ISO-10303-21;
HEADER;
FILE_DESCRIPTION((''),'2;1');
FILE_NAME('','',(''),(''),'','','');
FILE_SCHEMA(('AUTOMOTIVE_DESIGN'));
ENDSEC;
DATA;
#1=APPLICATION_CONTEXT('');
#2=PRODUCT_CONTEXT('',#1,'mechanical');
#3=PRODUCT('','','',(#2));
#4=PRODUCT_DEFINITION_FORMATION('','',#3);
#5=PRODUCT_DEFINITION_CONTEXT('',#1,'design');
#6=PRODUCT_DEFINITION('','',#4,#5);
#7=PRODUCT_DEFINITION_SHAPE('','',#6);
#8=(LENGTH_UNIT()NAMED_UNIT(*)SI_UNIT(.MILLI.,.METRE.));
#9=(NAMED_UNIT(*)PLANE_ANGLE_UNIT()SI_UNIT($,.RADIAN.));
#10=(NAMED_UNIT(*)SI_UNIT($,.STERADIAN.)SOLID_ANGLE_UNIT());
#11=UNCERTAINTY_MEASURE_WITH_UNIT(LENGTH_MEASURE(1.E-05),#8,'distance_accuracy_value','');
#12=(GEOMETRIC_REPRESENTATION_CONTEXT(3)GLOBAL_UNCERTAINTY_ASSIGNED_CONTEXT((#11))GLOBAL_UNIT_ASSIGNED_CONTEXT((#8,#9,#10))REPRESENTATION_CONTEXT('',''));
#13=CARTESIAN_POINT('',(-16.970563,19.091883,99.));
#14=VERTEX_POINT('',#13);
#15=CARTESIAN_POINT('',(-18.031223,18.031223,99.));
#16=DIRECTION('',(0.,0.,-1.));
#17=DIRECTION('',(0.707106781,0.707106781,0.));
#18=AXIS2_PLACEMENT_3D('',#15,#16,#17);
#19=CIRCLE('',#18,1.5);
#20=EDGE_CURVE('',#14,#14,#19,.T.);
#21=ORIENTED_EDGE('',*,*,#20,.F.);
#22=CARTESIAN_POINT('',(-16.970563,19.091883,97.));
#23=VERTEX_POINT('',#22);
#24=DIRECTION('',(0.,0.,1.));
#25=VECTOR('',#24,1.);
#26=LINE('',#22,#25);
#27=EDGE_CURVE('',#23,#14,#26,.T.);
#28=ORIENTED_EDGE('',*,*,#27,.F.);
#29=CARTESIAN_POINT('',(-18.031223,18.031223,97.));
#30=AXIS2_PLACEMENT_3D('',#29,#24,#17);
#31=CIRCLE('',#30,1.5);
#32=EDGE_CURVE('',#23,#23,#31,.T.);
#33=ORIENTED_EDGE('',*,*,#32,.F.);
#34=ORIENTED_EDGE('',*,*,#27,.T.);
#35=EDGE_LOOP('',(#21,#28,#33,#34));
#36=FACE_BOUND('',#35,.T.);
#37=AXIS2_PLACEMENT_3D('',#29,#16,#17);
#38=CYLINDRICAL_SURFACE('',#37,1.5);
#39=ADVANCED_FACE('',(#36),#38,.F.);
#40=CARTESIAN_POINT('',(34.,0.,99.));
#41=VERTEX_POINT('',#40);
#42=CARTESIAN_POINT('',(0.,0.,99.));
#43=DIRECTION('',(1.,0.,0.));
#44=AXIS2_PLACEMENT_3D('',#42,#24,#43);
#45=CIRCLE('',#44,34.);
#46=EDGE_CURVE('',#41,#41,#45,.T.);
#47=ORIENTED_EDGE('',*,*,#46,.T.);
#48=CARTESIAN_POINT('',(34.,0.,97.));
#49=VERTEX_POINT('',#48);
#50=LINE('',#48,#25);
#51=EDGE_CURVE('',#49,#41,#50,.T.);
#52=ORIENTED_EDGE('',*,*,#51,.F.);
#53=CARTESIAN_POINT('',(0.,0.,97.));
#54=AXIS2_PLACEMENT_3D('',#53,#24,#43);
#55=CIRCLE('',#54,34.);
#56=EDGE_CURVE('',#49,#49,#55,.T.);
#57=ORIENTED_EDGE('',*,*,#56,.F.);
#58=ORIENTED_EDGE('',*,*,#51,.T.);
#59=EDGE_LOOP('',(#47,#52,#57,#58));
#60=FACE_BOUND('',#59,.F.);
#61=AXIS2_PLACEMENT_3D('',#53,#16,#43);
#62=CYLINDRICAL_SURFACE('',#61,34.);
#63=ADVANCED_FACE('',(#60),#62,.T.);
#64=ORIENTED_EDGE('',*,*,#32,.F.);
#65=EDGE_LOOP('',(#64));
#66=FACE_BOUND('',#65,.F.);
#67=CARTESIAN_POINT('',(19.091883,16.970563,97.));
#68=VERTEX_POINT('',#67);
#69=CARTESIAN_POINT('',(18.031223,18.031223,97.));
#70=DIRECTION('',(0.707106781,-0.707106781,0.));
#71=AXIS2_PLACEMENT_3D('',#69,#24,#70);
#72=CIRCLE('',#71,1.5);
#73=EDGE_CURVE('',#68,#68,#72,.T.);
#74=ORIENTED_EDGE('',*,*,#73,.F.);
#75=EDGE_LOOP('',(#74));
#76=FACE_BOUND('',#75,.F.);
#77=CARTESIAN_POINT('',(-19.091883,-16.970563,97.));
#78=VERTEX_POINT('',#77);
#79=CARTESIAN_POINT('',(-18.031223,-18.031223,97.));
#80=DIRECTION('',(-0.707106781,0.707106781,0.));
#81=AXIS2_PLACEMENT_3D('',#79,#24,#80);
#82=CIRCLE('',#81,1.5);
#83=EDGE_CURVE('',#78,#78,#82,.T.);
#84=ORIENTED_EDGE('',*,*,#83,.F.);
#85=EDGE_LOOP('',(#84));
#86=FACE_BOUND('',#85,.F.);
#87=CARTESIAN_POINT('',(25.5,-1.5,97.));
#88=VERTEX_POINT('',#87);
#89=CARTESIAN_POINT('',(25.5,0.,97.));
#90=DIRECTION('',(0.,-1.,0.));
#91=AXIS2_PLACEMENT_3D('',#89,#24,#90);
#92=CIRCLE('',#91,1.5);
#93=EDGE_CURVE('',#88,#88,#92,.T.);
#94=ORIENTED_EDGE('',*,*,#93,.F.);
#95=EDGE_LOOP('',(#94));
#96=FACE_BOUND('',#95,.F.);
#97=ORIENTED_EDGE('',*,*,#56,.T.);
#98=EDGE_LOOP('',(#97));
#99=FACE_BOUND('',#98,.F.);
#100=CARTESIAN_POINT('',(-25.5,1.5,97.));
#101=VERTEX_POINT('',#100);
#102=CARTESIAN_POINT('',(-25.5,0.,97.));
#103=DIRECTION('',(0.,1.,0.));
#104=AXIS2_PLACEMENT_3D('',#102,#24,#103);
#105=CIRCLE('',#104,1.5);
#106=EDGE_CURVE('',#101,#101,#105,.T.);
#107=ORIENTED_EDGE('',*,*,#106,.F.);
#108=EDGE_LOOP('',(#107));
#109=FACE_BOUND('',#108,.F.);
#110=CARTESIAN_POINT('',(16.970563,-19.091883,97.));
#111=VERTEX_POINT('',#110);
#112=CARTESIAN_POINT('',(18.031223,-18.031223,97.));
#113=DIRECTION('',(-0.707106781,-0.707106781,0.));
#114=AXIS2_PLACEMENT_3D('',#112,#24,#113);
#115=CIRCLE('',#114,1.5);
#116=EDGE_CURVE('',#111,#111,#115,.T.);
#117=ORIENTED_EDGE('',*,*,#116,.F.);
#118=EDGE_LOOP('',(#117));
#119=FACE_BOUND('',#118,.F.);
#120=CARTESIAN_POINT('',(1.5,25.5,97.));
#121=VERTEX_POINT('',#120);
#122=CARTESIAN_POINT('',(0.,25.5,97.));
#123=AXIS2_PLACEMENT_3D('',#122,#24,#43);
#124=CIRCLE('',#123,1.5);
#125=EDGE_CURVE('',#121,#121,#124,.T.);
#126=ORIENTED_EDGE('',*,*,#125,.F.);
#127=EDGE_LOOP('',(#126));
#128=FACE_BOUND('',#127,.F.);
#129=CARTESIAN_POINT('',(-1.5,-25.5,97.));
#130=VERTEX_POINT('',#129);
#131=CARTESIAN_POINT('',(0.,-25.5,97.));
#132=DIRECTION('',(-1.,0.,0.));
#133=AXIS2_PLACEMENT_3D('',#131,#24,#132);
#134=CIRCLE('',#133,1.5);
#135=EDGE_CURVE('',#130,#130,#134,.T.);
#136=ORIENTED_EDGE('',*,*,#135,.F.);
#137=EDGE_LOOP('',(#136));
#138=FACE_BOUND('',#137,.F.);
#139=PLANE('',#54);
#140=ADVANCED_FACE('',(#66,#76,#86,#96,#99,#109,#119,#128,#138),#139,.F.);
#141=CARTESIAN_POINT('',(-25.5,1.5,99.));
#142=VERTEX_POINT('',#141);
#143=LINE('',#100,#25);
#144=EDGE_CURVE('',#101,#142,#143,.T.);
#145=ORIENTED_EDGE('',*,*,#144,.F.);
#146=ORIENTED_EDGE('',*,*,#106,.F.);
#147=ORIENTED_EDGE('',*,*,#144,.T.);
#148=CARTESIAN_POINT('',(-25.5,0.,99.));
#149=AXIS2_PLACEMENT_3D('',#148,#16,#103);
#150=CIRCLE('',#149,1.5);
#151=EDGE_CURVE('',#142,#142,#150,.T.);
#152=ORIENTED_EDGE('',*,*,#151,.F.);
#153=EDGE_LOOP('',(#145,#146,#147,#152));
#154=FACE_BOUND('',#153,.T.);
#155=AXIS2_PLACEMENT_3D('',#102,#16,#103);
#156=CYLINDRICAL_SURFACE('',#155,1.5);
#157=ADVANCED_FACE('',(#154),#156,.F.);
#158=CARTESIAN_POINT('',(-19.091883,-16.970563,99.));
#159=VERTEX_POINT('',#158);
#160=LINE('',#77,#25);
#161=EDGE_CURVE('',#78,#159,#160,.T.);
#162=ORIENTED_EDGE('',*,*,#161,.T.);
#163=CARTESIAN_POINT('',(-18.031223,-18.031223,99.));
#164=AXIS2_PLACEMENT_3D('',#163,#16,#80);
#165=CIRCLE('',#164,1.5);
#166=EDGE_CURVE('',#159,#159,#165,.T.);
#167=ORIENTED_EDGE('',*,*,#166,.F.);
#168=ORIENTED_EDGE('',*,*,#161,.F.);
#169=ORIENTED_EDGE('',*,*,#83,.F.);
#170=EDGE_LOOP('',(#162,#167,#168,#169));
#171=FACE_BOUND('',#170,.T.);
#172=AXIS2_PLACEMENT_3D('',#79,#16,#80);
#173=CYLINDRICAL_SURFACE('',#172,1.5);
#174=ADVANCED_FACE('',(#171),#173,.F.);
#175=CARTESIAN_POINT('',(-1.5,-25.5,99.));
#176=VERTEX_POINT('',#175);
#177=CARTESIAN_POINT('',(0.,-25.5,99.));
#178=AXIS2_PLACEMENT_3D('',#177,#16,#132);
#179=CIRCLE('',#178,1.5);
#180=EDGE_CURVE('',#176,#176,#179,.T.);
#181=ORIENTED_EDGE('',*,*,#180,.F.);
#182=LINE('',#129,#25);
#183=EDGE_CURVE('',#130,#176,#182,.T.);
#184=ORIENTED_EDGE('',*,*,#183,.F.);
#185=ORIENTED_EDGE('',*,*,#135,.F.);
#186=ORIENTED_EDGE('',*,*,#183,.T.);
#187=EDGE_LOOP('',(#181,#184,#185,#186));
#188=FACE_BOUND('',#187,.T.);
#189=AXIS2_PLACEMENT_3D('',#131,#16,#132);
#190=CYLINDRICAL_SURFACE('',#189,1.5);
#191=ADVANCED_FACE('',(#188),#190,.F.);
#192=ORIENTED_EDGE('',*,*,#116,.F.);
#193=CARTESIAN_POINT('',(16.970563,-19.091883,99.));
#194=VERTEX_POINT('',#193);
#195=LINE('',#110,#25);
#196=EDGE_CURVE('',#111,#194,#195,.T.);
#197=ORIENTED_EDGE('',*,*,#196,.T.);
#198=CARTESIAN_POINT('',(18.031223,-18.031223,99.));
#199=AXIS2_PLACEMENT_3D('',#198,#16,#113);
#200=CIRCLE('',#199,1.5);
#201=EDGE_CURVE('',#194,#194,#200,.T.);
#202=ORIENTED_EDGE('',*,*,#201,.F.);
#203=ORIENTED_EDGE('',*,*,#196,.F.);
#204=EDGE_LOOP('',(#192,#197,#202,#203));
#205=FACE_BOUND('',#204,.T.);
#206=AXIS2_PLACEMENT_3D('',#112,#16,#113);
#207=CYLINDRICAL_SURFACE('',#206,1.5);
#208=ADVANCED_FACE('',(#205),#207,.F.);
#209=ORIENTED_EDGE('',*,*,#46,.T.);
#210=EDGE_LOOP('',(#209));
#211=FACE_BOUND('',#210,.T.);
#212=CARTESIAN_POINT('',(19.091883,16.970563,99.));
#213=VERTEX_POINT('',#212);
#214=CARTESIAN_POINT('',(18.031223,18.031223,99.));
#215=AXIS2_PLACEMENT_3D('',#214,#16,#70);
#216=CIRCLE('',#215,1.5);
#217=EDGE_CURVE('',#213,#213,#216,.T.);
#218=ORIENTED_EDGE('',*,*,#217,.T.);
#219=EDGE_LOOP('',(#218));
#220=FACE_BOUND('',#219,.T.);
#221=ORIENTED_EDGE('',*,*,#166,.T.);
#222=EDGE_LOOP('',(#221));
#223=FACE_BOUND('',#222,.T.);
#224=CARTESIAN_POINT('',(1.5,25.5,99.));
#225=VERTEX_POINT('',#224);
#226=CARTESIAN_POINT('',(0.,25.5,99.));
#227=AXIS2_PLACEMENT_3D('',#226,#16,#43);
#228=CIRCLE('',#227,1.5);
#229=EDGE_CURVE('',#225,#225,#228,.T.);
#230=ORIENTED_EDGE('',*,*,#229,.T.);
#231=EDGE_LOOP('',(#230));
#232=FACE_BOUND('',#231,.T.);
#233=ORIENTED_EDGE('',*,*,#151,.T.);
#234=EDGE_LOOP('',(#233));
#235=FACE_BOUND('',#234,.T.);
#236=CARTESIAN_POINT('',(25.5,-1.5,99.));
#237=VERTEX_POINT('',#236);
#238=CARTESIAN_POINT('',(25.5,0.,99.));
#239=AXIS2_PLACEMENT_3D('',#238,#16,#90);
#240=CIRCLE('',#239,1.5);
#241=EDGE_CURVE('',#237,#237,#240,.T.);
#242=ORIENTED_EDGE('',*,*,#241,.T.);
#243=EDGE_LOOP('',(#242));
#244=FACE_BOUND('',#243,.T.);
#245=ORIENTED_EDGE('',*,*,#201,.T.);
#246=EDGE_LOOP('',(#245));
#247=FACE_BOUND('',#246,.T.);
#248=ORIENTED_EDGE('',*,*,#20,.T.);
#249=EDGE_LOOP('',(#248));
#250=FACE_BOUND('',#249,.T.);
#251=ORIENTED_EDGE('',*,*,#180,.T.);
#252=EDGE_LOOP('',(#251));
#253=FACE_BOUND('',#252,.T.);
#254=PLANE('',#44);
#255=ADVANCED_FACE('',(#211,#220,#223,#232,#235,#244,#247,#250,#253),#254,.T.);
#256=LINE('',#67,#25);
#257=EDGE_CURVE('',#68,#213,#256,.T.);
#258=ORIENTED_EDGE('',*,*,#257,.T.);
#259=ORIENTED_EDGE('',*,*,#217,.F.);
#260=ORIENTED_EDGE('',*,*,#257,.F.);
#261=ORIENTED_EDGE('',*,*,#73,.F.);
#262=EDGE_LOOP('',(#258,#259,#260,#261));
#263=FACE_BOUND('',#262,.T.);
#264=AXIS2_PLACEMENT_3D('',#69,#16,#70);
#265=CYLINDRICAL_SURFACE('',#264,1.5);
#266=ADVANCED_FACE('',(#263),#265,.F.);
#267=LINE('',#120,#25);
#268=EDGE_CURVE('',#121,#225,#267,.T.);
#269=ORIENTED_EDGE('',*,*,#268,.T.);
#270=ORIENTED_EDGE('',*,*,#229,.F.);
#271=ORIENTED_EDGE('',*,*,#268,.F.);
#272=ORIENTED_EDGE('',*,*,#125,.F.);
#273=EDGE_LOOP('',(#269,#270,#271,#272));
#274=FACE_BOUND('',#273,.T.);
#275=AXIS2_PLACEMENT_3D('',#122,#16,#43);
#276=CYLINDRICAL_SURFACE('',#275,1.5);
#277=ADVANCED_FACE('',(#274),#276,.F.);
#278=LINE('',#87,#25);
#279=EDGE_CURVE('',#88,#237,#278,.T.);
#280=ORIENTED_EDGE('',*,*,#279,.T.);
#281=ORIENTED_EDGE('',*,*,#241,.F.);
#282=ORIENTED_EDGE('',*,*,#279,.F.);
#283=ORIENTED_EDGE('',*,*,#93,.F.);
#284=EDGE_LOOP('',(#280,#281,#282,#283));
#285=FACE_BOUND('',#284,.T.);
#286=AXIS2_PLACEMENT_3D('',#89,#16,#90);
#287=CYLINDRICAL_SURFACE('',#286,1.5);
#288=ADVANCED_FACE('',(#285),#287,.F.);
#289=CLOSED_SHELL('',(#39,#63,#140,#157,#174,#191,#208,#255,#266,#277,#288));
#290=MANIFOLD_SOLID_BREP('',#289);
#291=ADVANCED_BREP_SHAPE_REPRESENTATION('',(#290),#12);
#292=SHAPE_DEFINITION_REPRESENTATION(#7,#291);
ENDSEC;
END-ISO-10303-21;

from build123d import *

# Parameters (mm, degrees)
CYLINDER1921_R               = 1.5
CYLINDER1921_DEPTH           = 20
CYLINDER1921_PLACEMENT_ANGLE = 45
CYLINDER1925_R               = 1.5
CYLINDER1925_DEPTH           = 20
CYLINDER1919_R               = 1.5
CYLINDER1919_DEPTH           = 20
CYLINDER1919_PLACEMENT_ANGLE = 135
CYLINDER1920_R               = 1.5
CYLINDER1920_DEPTH           = 20
CYLINDER1922_R               = 1.5
CYLINDER1922_DEPTH           = 20
CYLINDER1922_PLACEMENT_ANGLE = 225
CYLINDER1924_R               = 1.5
CYLINDER1924_DEPTH           = 20
CYLINDER1923_R               = 1.5
CYLINDER1923_DEPTH           = 20
CYLINDER1923_PLACEMENT_ANGLE = 45
CYLINDER1926_R               = 1.5
CYLINDER1926_DEPTH           = 20
CYLINDER1918_R               = 34
CYLINDER1918_DEPTH           = 2


with BuildPart() as v_lec1921:
    # Cylinder1921 → Cylinder1921 (new body)
    with BuildSketch(Plane.XY):
        Circle(CYLINDER1921_R)
    extrude(amount=CYLINDER1921_DEPTH)


with BuildPart() as v_lec1921_1:
    # Cylinder1921 placement: moved
    add(v_lec1921.part.moved(Location((-18.031223, 18.031223, -4))).rotate(Axis((-18.031223, 18.031223, -4), (0, 0, 1)), CYLINDER1921_PLACEMENT_ANGLE))


with BuildPart() as v_lec1925:
    # Cylinder1925 → Cylinder1925 (new body)
    with BuildSketch(Plane(origin=(-25.5, 0, -4), x_dir=(0, 1, 0), z_dir=(0, 0, 1))):
        Circle(CYLINDER1925_R)
    extrude(amount=CYLINDER1925_DEPTH)


with BuildPart() as v_lec1919:
    # Cylinder1919 → Cylinder1919 (new body)
    with BuildSketch(Plane.XY):
        Circle(CYLINDER1919_R)
    extrude(amount=CYLINDER1919_DEPTH)


with BuildPart() as v_lec1919_1:
    # Cylinder1919 placement: moved
    add(v_lec1919.part.moved(Location((-18.031223, -18.031223, -4))).rotate(Axis((-18.031223, -18.031223, -4), (0, 0, 1)), CYLINDER1919_PLACEMENT_ANGLE))


with BuildPart() as v_lec1920:
    # Cylinder1920 → Cylinder1920 (new body)
    with BuildSketch(Plane(origin=(0, -25.5, -4), x_dir=(-1, 0, 0), z_dir=(0, 0, 1))):
        Circle(CYLINDER1920_R)
    extrude(amount=CYLINDER1920_DEPTH)


with BuildPart() as v_lec1922:
    # Cylinder1922 → Cylinder1922 (new body)
    with BuildSketch(Plane.XY):
        Circle(CYLINDER1922_R)
    extrude(amount=CYLINDER1922_DEPTH)


with BuildPart() as v_lec1922_1:
    # Cylinder1922 placement: moved
    add(v_lec1922.part.moved(Location((18.031223, -18.031223, -4))).rotate(Axis((18.031223, -18.031223, -4), (0, 0, 1)), CYLINDER1922_PLACEMENT_ANGLE))


with BuildPart() as v_lec1924:
    # Cylinder1924 → Cylinder1924 (new body)
    with BuildSketch(Plane(origin=(25.5, 0, -4), x_dir=(0, -1, 0), z_dir=(0, 0, 1))):
        Circle(CYLINDER1924_R)
    extrude(amount=CYLINDER1924_DEPTH)


with BuildPart() as v_lec1923:
    # Cylinder1923 → Cylinder1923 (new body)
    with BuildSketch(Plane.XY):
        Circle(CYLINDER1923_R)
    extrude(amount=CYLINDER1923_DEPTH)


with BuildPart() as v_lec1923_1:
    # Cylinder1923 placement: moved
    add(v_lec1923.part.moved(Location((18.031223, 18.031223, -4))).rotate(Axis((18.031223, 18.031223, -4), (0, 0, -1)), CYLINDER1923_PLACEMENT_ANGLE))


with BuildPart() as compound917:
    # Cylinder1926 → Cylinder1926 (new body)
    with BuildSketch(Plane(origin=(0, 25.5, -4), x_dir=(1, 0, 0), z_dir=(0, 0, 1))):
        Circle(CYLINDER1926_R)
    extrude(amount=CYLINDER1926_DEPTH)

    # Compound917: union Válec1921, Válec1925, Válec1919, Válec1920, Válec1922, Válec1924, Válec1923
    add(v_lec1921_1.part)
    add(v_lec1925.part)
    add(v_lec1919_1.part)
    add(v_lec1920.part)
    add(v_lec1922_1.part)
    add(v_lec1924.part)
    add(v_lec1923_1.part)


with BuildPart() as compound917_1:
    # Compound917 placement: moved
    add(compound917.part.moved(Location((0, 0, 100))))


with BuildPart() as cut564:
    # Cylinder1918 → Cylinder1918 (new body)
    with BuildSketch(Plane.XY.offset(96)):
        Circle(CYLINDER1918_R)
    extrude(amount=CYLINDER1918_DEPTH)

    # Cut564: cut Compound917
    add(compound917_1.part, mode=Mode.SUBTRACT)


with BuildPart() as cut564_1:
    # Cut564 placement: moved
    add(cut564.part.moved(Location((0, 0, 1))))


solid = cut564_1.part
